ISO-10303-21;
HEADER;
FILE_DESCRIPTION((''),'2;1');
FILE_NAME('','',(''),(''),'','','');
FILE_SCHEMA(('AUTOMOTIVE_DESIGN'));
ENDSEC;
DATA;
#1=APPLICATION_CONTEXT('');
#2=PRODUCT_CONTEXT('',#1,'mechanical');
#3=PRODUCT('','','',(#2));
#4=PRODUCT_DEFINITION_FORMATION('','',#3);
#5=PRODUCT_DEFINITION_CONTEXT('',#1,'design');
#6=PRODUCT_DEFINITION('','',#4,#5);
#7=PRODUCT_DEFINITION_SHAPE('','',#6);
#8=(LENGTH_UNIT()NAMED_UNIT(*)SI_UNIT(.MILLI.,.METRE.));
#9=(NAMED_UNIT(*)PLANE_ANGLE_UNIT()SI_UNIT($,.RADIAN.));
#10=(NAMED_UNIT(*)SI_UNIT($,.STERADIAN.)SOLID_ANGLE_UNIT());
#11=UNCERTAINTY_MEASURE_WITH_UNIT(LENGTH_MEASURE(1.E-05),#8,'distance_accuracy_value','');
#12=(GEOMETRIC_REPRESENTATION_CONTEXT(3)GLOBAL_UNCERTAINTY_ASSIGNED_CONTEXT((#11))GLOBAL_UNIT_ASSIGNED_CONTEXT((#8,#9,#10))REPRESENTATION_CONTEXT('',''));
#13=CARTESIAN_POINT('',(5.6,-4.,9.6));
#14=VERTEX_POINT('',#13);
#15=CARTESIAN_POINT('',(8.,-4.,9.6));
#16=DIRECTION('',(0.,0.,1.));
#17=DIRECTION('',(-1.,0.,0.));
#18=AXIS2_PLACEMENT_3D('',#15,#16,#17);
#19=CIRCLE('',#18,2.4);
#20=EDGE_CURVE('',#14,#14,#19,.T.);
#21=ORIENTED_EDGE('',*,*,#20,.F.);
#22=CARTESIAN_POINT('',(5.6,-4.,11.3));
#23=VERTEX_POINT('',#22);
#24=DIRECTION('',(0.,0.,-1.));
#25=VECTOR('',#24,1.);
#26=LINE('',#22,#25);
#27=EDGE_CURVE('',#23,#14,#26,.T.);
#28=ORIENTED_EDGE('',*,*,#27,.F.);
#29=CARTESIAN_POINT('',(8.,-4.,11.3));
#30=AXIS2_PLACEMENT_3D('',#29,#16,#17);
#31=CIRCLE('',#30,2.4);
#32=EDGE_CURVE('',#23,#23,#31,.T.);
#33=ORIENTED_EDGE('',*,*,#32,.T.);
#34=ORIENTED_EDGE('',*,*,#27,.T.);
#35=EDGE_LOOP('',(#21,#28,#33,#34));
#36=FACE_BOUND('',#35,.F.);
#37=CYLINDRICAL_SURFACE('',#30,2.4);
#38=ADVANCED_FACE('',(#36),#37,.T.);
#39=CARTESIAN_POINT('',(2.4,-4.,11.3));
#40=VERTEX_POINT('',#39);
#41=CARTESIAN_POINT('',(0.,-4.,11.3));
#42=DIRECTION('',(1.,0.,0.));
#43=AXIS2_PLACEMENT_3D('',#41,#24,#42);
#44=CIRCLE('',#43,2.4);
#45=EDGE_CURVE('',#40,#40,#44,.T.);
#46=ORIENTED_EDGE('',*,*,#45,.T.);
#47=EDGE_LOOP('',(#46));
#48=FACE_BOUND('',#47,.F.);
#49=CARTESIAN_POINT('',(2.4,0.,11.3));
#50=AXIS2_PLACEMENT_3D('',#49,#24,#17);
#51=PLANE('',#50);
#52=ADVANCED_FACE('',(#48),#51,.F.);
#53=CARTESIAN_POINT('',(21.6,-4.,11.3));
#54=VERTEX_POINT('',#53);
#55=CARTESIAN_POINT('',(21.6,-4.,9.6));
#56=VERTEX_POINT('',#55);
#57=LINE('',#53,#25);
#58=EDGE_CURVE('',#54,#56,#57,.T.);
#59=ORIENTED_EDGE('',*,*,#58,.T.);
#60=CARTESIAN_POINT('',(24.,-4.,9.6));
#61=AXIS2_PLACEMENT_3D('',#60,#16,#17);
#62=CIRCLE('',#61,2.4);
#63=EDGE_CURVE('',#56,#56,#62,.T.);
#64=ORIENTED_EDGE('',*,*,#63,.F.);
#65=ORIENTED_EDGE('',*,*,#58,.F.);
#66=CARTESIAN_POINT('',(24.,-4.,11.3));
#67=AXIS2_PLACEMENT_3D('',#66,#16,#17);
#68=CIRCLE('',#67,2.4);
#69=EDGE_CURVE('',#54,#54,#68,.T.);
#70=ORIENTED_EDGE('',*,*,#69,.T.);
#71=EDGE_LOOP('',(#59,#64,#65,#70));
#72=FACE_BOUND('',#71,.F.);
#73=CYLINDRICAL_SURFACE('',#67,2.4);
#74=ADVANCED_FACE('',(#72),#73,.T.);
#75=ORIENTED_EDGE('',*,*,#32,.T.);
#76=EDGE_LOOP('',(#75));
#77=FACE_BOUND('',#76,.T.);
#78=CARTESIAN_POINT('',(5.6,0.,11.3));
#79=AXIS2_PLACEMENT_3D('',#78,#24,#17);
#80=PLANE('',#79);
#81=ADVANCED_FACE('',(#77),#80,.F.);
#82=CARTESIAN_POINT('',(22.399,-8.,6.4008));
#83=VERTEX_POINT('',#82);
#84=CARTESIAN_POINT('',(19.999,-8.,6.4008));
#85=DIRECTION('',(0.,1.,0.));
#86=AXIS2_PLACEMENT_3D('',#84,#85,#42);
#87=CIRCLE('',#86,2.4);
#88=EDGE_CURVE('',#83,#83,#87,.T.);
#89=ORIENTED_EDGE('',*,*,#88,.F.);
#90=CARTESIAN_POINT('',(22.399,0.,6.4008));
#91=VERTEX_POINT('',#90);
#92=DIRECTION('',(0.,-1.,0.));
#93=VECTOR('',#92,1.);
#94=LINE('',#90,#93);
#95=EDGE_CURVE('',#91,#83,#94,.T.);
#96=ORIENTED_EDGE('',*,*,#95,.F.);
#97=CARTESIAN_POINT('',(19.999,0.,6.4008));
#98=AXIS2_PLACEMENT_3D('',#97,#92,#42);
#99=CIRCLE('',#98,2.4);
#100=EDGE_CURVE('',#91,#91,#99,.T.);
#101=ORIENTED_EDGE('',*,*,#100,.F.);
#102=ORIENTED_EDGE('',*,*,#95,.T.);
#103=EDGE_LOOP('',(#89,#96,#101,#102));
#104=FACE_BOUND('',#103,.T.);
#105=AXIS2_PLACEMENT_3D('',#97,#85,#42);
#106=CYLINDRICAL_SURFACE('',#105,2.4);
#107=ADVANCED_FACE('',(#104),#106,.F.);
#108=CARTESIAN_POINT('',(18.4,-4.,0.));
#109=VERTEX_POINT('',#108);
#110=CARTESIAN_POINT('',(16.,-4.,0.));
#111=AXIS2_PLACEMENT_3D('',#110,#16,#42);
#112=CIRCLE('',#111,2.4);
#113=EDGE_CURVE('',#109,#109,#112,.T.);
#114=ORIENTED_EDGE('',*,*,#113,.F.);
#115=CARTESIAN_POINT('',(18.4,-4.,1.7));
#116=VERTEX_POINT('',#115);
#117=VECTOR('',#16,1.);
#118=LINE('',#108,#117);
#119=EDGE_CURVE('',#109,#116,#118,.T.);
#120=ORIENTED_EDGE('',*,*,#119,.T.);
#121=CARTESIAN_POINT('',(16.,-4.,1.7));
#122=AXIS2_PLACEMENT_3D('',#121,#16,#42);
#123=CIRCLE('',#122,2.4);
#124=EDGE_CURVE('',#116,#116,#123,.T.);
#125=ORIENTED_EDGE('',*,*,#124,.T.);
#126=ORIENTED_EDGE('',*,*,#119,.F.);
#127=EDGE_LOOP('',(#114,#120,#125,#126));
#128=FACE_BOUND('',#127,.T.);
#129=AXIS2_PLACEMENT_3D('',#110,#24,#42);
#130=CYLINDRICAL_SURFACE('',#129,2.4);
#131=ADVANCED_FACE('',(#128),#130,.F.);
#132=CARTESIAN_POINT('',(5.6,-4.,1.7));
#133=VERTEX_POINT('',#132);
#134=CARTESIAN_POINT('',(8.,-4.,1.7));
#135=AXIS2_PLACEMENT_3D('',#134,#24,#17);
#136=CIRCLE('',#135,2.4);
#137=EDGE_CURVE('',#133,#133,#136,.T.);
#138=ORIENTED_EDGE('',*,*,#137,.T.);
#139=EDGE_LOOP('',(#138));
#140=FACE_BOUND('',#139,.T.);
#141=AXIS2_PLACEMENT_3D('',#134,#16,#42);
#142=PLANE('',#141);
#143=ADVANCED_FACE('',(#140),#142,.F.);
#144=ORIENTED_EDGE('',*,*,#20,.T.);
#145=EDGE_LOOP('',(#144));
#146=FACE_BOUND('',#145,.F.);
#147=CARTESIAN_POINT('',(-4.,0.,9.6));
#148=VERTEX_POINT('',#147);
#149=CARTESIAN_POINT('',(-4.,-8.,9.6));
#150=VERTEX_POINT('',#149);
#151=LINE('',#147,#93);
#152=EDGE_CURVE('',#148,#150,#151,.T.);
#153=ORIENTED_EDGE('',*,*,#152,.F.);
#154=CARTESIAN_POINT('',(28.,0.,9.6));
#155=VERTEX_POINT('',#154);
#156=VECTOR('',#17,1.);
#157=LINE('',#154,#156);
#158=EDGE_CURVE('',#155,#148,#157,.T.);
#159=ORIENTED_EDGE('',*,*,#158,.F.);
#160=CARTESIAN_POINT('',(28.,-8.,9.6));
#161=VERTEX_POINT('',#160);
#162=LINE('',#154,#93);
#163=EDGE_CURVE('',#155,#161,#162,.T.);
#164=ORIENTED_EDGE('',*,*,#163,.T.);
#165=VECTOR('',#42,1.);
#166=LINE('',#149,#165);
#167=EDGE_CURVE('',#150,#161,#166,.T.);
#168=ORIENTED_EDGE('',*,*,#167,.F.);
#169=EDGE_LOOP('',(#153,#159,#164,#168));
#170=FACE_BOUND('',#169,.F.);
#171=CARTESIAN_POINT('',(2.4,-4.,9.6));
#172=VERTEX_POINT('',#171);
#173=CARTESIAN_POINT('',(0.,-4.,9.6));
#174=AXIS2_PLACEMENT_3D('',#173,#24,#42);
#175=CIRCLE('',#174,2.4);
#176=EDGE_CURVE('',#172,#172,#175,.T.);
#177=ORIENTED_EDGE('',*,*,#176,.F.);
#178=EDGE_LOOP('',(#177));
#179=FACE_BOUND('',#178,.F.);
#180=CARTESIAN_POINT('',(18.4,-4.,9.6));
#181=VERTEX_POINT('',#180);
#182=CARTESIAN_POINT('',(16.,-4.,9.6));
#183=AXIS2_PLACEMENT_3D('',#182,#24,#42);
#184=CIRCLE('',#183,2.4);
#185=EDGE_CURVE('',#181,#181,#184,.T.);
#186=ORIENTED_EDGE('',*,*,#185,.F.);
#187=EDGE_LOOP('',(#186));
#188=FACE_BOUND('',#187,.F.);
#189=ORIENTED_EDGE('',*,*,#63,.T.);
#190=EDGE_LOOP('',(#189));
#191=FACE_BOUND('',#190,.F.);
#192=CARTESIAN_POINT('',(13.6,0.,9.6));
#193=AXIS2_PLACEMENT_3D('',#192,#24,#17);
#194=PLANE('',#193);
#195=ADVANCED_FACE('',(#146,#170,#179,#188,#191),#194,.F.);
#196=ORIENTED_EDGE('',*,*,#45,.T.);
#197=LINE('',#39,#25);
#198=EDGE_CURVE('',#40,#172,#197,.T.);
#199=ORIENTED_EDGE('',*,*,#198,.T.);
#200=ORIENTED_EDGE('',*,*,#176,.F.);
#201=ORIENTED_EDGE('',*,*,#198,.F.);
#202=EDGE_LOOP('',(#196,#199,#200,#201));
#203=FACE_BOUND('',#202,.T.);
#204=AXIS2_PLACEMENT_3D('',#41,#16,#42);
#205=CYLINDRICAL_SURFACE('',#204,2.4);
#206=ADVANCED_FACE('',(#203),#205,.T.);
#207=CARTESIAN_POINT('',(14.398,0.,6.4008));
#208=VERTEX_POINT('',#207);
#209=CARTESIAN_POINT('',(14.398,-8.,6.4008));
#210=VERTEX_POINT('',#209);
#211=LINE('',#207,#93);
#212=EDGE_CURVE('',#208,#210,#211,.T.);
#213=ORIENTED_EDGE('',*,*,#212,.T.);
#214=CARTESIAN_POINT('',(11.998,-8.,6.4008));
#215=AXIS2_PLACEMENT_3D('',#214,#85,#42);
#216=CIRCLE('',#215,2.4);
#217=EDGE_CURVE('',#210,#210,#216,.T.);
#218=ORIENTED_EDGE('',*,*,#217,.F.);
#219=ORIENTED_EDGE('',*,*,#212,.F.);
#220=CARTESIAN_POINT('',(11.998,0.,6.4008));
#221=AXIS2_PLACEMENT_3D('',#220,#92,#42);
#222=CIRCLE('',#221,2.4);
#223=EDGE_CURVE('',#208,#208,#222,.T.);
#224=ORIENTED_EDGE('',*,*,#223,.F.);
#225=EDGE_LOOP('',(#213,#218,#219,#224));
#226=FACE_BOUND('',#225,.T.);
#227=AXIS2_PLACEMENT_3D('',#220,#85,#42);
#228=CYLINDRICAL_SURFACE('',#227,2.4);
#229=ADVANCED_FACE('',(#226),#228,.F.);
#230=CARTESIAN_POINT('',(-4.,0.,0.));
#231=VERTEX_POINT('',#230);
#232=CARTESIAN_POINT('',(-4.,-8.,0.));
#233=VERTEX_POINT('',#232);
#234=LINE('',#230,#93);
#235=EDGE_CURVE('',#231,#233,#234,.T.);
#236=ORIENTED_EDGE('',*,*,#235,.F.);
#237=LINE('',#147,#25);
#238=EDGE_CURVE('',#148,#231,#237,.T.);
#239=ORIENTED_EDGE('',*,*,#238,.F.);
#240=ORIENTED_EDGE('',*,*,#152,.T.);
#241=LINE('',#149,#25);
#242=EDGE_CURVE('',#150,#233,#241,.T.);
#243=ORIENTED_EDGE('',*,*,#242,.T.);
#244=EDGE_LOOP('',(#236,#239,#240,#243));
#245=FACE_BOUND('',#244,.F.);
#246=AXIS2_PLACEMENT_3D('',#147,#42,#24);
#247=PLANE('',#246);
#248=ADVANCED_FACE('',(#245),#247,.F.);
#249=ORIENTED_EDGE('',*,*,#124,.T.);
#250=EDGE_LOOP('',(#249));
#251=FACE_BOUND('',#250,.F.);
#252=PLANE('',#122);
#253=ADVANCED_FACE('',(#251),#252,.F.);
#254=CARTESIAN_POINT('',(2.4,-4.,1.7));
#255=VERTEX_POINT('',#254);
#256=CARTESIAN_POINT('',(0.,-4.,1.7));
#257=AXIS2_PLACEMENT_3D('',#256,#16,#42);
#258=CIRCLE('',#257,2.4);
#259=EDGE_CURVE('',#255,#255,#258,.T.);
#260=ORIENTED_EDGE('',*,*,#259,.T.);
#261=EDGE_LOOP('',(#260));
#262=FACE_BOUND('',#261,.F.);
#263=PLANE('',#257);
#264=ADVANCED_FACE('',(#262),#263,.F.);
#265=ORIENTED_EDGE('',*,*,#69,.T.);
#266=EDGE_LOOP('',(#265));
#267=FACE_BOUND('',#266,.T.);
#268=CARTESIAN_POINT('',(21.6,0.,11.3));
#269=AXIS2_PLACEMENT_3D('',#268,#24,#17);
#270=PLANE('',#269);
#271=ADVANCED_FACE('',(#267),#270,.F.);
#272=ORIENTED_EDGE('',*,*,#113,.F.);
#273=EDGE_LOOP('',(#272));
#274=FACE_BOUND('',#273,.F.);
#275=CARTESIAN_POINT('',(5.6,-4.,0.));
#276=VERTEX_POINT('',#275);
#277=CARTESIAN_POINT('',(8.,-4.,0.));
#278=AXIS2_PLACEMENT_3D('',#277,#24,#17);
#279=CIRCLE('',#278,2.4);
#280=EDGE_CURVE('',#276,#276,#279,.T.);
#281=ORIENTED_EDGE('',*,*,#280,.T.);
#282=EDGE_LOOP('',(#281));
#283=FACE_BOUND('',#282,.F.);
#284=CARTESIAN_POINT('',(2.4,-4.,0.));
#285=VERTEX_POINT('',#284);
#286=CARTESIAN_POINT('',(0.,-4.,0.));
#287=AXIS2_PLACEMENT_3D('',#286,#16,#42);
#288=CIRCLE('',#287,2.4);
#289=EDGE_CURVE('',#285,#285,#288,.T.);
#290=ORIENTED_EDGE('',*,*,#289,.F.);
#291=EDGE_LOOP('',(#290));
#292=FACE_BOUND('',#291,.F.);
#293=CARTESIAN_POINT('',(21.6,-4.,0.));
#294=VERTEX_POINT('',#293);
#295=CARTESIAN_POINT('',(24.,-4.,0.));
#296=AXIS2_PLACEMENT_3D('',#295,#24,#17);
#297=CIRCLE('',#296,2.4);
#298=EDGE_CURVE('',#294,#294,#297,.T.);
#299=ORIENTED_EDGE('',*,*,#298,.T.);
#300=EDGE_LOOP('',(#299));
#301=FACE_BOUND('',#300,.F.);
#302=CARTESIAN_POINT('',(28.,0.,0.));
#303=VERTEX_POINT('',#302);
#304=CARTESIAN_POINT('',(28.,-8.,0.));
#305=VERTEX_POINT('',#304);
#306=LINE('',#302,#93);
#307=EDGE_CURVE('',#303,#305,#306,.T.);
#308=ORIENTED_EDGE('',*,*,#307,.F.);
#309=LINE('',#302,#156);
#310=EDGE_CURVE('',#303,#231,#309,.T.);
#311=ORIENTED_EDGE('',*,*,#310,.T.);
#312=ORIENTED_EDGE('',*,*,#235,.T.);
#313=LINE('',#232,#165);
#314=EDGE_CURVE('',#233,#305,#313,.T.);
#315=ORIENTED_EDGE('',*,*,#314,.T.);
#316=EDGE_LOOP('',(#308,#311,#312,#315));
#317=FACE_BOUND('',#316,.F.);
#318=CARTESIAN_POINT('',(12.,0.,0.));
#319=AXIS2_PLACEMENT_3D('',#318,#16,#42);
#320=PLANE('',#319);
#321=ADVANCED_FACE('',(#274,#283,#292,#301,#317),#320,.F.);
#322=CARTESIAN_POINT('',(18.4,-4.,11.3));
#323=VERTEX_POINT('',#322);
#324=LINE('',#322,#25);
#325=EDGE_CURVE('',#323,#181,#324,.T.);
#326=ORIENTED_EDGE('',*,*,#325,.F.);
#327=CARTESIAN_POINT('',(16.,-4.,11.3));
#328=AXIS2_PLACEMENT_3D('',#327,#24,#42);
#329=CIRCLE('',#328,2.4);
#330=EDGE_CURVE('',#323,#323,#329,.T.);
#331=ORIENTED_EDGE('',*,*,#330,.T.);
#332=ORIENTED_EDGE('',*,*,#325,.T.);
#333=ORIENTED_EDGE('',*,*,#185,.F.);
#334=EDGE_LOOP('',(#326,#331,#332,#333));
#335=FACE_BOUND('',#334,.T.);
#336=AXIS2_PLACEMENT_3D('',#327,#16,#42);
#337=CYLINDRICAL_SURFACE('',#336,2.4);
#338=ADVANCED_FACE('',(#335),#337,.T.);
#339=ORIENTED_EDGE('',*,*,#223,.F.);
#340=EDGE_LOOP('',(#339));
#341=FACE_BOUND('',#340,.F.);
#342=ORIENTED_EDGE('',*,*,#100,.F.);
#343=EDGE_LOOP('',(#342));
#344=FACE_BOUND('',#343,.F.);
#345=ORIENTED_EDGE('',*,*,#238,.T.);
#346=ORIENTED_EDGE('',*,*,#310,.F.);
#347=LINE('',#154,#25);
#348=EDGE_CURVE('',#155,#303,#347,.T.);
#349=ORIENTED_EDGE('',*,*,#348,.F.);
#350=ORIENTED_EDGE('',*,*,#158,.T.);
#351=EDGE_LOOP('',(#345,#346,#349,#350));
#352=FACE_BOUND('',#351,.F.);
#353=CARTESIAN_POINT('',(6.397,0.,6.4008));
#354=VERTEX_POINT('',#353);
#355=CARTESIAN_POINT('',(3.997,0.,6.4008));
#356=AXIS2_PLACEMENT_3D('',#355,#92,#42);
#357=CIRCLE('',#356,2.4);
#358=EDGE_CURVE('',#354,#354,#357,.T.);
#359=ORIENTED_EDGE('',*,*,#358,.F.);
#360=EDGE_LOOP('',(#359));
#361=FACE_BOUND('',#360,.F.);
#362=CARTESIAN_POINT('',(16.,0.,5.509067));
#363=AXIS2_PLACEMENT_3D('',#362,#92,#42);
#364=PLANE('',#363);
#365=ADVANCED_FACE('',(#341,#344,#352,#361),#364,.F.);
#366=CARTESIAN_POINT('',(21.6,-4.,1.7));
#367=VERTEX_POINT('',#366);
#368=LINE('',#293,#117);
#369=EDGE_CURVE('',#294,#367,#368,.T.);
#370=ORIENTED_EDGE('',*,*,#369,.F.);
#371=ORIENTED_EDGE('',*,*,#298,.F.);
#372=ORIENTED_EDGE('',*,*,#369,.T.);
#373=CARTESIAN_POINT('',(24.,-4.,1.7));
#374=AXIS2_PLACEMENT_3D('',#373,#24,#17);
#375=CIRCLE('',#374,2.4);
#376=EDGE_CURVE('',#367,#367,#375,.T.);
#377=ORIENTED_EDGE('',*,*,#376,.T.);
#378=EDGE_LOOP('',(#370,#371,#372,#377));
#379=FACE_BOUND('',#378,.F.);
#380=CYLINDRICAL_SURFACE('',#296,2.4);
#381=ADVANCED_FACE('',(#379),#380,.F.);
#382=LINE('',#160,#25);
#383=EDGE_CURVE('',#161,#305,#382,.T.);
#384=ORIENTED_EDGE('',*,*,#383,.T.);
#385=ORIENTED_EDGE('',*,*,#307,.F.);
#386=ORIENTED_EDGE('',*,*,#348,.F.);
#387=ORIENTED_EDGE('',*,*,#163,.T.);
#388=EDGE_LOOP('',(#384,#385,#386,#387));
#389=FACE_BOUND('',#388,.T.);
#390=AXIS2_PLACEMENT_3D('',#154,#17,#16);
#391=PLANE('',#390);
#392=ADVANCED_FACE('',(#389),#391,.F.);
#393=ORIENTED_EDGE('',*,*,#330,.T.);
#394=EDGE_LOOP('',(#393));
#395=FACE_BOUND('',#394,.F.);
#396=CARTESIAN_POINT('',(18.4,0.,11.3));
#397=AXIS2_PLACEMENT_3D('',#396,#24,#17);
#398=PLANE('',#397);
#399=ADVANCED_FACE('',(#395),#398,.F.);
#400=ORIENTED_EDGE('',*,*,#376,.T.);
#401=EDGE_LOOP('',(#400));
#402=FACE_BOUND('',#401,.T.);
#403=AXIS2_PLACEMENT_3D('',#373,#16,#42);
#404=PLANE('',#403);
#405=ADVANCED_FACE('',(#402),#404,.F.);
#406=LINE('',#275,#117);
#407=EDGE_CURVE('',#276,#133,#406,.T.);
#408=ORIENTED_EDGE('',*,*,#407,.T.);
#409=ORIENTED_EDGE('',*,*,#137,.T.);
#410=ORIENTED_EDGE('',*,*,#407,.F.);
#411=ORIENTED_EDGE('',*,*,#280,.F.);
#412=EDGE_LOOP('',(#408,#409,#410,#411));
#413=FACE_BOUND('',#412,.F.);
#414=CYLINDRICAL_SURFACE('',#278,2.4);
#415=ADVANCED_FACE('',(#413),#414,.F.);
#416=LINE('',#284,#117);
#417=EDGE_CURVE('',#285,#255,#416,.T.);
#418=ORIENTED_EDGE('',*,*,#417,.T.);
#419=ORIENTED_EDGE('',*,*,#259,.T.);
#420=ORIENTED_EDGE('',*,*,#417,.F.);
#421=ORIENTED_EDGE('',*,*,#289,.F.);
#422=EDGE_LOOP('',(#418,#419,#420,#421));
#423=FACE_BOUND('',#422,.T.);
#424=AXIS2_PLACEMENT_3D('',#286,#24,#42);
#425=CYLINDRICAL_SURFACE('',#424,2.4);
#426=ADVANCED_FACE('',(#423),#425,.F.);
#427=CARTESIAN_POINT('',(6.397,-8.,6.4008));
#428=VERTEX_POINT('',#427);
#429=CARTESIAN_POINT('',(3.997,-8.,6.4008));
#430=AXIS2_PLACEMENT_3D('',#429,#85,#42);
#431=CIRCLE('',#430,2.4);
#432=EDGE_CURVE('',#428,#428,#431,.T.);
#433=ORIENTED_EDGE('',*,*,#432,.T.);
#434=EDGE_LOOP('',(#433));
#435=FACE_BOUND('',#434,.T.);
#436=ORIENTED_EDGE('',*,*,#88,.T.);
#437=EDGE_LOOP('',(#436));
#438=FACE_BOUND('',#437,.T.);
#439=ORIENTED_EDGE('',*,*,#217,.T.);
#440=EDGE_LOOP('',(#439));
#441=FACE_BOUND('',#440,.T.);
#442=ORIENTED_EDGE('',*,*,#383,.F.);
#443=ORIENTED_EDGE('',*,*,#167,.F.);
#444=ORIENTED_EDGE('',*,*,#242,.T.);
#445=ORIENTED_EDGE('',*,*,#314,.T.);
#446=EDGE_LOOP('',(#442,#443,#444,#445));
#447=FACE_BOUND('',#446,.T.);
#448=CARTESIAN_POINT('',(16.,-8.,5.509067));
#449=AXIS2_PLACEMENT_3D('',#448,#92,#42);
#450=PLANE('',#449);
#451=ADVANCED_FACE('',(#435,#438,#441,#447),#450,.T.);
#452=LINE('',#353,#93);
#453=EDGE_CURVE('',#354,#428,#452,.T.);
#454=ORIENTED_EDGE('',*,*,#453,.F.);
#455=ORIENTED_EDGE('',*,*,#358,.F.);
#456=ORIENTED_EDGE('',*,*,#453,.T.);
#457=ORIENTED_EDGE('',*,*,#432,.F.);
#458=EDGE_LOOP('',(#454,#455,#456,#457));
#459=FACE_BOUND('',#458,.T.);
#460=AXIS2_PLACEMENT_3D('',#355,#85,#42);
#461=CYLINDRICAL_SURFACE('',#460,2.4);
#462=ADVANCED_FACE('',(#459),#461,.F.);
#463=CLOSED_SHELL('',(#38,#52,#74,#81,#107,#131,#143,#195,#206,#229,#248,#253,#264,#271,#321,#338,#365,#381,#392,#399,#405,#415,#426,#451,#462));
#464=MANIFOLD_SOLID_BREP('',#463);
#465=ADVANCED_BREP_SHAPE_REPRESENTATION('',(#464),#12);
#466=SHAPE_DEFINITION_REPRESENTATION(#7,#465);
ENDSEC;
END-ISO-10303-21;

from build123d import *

# Parameters (mm, degrees)
F1_DEPTH  = 8
F3_W      = 8
F3_H      = 8
F3_R      = 2.4
F4_DEPTH  = 1.7
F5_R      = 2.4
F6_DEPTH  = 1.7
F11_R     = 2.4
F12_DEPTH = 25.4


with BuildPart() as f1:
    # F0 (on Front) → F1 (new body)
    with BuildSketch(Plane.XZ):
        Polygon((-2.4, 9.6), (-4, 9.6), (-4, 0), (4, 0), (4, 9.6), (2.4, 9.6), (2.4, 11.3), (-2.4, 11.3), align=None)
    extrude(amount=F1_DEPTH)

    # F3 (on plane+point) → F4 (cut, through all)
    with BuildSketch(Plane.XY.offset(11.3)):
        with Locations((0, -4)):
            Rectangle(F3_W, F3_H)
        with Locations((0, -4)):
            Circle(F3_R, mode=Mode.SUBTRACT)
    extrude(amount=-F4_DEPTH, mode=Mode.SUBTRACT)

    # F5 (on Top) → F6 (cut)
    with BuildSketch(Plane.XY):
        with Locations((0, -4)):
            Circle(F5_R)
    extrude(amount=F6_DEPTH, mode=Mode.SUBTRACT)

    # F8: F1 across plane


with BuildPart() as f1_1:
    add(f1.part)
    add(f1.part.mirror(Plane.YZ.offset(4)))

    # F10: F1 across plane


with BuildPart() as f1_2:
    add(f1_1.part)
    add(f1_1.part.mirror(Plane.YZ.offset(12)))

    # F11 (on Front) → F12 (cut)
    with BuildSketch(Plane.XZ):
        with Locations((19.999, 6.4008)):
            Circle(F11_R)
        with Locations((11.998, 6.4008)):
            Circle(F11_R)
        with Locations((3.997, 6.4008)):
            Circle(F11_R)
    extrude(amount=F12_DEPTH, mode=Mode.SUBTRACT)


solid = f1_2.part
